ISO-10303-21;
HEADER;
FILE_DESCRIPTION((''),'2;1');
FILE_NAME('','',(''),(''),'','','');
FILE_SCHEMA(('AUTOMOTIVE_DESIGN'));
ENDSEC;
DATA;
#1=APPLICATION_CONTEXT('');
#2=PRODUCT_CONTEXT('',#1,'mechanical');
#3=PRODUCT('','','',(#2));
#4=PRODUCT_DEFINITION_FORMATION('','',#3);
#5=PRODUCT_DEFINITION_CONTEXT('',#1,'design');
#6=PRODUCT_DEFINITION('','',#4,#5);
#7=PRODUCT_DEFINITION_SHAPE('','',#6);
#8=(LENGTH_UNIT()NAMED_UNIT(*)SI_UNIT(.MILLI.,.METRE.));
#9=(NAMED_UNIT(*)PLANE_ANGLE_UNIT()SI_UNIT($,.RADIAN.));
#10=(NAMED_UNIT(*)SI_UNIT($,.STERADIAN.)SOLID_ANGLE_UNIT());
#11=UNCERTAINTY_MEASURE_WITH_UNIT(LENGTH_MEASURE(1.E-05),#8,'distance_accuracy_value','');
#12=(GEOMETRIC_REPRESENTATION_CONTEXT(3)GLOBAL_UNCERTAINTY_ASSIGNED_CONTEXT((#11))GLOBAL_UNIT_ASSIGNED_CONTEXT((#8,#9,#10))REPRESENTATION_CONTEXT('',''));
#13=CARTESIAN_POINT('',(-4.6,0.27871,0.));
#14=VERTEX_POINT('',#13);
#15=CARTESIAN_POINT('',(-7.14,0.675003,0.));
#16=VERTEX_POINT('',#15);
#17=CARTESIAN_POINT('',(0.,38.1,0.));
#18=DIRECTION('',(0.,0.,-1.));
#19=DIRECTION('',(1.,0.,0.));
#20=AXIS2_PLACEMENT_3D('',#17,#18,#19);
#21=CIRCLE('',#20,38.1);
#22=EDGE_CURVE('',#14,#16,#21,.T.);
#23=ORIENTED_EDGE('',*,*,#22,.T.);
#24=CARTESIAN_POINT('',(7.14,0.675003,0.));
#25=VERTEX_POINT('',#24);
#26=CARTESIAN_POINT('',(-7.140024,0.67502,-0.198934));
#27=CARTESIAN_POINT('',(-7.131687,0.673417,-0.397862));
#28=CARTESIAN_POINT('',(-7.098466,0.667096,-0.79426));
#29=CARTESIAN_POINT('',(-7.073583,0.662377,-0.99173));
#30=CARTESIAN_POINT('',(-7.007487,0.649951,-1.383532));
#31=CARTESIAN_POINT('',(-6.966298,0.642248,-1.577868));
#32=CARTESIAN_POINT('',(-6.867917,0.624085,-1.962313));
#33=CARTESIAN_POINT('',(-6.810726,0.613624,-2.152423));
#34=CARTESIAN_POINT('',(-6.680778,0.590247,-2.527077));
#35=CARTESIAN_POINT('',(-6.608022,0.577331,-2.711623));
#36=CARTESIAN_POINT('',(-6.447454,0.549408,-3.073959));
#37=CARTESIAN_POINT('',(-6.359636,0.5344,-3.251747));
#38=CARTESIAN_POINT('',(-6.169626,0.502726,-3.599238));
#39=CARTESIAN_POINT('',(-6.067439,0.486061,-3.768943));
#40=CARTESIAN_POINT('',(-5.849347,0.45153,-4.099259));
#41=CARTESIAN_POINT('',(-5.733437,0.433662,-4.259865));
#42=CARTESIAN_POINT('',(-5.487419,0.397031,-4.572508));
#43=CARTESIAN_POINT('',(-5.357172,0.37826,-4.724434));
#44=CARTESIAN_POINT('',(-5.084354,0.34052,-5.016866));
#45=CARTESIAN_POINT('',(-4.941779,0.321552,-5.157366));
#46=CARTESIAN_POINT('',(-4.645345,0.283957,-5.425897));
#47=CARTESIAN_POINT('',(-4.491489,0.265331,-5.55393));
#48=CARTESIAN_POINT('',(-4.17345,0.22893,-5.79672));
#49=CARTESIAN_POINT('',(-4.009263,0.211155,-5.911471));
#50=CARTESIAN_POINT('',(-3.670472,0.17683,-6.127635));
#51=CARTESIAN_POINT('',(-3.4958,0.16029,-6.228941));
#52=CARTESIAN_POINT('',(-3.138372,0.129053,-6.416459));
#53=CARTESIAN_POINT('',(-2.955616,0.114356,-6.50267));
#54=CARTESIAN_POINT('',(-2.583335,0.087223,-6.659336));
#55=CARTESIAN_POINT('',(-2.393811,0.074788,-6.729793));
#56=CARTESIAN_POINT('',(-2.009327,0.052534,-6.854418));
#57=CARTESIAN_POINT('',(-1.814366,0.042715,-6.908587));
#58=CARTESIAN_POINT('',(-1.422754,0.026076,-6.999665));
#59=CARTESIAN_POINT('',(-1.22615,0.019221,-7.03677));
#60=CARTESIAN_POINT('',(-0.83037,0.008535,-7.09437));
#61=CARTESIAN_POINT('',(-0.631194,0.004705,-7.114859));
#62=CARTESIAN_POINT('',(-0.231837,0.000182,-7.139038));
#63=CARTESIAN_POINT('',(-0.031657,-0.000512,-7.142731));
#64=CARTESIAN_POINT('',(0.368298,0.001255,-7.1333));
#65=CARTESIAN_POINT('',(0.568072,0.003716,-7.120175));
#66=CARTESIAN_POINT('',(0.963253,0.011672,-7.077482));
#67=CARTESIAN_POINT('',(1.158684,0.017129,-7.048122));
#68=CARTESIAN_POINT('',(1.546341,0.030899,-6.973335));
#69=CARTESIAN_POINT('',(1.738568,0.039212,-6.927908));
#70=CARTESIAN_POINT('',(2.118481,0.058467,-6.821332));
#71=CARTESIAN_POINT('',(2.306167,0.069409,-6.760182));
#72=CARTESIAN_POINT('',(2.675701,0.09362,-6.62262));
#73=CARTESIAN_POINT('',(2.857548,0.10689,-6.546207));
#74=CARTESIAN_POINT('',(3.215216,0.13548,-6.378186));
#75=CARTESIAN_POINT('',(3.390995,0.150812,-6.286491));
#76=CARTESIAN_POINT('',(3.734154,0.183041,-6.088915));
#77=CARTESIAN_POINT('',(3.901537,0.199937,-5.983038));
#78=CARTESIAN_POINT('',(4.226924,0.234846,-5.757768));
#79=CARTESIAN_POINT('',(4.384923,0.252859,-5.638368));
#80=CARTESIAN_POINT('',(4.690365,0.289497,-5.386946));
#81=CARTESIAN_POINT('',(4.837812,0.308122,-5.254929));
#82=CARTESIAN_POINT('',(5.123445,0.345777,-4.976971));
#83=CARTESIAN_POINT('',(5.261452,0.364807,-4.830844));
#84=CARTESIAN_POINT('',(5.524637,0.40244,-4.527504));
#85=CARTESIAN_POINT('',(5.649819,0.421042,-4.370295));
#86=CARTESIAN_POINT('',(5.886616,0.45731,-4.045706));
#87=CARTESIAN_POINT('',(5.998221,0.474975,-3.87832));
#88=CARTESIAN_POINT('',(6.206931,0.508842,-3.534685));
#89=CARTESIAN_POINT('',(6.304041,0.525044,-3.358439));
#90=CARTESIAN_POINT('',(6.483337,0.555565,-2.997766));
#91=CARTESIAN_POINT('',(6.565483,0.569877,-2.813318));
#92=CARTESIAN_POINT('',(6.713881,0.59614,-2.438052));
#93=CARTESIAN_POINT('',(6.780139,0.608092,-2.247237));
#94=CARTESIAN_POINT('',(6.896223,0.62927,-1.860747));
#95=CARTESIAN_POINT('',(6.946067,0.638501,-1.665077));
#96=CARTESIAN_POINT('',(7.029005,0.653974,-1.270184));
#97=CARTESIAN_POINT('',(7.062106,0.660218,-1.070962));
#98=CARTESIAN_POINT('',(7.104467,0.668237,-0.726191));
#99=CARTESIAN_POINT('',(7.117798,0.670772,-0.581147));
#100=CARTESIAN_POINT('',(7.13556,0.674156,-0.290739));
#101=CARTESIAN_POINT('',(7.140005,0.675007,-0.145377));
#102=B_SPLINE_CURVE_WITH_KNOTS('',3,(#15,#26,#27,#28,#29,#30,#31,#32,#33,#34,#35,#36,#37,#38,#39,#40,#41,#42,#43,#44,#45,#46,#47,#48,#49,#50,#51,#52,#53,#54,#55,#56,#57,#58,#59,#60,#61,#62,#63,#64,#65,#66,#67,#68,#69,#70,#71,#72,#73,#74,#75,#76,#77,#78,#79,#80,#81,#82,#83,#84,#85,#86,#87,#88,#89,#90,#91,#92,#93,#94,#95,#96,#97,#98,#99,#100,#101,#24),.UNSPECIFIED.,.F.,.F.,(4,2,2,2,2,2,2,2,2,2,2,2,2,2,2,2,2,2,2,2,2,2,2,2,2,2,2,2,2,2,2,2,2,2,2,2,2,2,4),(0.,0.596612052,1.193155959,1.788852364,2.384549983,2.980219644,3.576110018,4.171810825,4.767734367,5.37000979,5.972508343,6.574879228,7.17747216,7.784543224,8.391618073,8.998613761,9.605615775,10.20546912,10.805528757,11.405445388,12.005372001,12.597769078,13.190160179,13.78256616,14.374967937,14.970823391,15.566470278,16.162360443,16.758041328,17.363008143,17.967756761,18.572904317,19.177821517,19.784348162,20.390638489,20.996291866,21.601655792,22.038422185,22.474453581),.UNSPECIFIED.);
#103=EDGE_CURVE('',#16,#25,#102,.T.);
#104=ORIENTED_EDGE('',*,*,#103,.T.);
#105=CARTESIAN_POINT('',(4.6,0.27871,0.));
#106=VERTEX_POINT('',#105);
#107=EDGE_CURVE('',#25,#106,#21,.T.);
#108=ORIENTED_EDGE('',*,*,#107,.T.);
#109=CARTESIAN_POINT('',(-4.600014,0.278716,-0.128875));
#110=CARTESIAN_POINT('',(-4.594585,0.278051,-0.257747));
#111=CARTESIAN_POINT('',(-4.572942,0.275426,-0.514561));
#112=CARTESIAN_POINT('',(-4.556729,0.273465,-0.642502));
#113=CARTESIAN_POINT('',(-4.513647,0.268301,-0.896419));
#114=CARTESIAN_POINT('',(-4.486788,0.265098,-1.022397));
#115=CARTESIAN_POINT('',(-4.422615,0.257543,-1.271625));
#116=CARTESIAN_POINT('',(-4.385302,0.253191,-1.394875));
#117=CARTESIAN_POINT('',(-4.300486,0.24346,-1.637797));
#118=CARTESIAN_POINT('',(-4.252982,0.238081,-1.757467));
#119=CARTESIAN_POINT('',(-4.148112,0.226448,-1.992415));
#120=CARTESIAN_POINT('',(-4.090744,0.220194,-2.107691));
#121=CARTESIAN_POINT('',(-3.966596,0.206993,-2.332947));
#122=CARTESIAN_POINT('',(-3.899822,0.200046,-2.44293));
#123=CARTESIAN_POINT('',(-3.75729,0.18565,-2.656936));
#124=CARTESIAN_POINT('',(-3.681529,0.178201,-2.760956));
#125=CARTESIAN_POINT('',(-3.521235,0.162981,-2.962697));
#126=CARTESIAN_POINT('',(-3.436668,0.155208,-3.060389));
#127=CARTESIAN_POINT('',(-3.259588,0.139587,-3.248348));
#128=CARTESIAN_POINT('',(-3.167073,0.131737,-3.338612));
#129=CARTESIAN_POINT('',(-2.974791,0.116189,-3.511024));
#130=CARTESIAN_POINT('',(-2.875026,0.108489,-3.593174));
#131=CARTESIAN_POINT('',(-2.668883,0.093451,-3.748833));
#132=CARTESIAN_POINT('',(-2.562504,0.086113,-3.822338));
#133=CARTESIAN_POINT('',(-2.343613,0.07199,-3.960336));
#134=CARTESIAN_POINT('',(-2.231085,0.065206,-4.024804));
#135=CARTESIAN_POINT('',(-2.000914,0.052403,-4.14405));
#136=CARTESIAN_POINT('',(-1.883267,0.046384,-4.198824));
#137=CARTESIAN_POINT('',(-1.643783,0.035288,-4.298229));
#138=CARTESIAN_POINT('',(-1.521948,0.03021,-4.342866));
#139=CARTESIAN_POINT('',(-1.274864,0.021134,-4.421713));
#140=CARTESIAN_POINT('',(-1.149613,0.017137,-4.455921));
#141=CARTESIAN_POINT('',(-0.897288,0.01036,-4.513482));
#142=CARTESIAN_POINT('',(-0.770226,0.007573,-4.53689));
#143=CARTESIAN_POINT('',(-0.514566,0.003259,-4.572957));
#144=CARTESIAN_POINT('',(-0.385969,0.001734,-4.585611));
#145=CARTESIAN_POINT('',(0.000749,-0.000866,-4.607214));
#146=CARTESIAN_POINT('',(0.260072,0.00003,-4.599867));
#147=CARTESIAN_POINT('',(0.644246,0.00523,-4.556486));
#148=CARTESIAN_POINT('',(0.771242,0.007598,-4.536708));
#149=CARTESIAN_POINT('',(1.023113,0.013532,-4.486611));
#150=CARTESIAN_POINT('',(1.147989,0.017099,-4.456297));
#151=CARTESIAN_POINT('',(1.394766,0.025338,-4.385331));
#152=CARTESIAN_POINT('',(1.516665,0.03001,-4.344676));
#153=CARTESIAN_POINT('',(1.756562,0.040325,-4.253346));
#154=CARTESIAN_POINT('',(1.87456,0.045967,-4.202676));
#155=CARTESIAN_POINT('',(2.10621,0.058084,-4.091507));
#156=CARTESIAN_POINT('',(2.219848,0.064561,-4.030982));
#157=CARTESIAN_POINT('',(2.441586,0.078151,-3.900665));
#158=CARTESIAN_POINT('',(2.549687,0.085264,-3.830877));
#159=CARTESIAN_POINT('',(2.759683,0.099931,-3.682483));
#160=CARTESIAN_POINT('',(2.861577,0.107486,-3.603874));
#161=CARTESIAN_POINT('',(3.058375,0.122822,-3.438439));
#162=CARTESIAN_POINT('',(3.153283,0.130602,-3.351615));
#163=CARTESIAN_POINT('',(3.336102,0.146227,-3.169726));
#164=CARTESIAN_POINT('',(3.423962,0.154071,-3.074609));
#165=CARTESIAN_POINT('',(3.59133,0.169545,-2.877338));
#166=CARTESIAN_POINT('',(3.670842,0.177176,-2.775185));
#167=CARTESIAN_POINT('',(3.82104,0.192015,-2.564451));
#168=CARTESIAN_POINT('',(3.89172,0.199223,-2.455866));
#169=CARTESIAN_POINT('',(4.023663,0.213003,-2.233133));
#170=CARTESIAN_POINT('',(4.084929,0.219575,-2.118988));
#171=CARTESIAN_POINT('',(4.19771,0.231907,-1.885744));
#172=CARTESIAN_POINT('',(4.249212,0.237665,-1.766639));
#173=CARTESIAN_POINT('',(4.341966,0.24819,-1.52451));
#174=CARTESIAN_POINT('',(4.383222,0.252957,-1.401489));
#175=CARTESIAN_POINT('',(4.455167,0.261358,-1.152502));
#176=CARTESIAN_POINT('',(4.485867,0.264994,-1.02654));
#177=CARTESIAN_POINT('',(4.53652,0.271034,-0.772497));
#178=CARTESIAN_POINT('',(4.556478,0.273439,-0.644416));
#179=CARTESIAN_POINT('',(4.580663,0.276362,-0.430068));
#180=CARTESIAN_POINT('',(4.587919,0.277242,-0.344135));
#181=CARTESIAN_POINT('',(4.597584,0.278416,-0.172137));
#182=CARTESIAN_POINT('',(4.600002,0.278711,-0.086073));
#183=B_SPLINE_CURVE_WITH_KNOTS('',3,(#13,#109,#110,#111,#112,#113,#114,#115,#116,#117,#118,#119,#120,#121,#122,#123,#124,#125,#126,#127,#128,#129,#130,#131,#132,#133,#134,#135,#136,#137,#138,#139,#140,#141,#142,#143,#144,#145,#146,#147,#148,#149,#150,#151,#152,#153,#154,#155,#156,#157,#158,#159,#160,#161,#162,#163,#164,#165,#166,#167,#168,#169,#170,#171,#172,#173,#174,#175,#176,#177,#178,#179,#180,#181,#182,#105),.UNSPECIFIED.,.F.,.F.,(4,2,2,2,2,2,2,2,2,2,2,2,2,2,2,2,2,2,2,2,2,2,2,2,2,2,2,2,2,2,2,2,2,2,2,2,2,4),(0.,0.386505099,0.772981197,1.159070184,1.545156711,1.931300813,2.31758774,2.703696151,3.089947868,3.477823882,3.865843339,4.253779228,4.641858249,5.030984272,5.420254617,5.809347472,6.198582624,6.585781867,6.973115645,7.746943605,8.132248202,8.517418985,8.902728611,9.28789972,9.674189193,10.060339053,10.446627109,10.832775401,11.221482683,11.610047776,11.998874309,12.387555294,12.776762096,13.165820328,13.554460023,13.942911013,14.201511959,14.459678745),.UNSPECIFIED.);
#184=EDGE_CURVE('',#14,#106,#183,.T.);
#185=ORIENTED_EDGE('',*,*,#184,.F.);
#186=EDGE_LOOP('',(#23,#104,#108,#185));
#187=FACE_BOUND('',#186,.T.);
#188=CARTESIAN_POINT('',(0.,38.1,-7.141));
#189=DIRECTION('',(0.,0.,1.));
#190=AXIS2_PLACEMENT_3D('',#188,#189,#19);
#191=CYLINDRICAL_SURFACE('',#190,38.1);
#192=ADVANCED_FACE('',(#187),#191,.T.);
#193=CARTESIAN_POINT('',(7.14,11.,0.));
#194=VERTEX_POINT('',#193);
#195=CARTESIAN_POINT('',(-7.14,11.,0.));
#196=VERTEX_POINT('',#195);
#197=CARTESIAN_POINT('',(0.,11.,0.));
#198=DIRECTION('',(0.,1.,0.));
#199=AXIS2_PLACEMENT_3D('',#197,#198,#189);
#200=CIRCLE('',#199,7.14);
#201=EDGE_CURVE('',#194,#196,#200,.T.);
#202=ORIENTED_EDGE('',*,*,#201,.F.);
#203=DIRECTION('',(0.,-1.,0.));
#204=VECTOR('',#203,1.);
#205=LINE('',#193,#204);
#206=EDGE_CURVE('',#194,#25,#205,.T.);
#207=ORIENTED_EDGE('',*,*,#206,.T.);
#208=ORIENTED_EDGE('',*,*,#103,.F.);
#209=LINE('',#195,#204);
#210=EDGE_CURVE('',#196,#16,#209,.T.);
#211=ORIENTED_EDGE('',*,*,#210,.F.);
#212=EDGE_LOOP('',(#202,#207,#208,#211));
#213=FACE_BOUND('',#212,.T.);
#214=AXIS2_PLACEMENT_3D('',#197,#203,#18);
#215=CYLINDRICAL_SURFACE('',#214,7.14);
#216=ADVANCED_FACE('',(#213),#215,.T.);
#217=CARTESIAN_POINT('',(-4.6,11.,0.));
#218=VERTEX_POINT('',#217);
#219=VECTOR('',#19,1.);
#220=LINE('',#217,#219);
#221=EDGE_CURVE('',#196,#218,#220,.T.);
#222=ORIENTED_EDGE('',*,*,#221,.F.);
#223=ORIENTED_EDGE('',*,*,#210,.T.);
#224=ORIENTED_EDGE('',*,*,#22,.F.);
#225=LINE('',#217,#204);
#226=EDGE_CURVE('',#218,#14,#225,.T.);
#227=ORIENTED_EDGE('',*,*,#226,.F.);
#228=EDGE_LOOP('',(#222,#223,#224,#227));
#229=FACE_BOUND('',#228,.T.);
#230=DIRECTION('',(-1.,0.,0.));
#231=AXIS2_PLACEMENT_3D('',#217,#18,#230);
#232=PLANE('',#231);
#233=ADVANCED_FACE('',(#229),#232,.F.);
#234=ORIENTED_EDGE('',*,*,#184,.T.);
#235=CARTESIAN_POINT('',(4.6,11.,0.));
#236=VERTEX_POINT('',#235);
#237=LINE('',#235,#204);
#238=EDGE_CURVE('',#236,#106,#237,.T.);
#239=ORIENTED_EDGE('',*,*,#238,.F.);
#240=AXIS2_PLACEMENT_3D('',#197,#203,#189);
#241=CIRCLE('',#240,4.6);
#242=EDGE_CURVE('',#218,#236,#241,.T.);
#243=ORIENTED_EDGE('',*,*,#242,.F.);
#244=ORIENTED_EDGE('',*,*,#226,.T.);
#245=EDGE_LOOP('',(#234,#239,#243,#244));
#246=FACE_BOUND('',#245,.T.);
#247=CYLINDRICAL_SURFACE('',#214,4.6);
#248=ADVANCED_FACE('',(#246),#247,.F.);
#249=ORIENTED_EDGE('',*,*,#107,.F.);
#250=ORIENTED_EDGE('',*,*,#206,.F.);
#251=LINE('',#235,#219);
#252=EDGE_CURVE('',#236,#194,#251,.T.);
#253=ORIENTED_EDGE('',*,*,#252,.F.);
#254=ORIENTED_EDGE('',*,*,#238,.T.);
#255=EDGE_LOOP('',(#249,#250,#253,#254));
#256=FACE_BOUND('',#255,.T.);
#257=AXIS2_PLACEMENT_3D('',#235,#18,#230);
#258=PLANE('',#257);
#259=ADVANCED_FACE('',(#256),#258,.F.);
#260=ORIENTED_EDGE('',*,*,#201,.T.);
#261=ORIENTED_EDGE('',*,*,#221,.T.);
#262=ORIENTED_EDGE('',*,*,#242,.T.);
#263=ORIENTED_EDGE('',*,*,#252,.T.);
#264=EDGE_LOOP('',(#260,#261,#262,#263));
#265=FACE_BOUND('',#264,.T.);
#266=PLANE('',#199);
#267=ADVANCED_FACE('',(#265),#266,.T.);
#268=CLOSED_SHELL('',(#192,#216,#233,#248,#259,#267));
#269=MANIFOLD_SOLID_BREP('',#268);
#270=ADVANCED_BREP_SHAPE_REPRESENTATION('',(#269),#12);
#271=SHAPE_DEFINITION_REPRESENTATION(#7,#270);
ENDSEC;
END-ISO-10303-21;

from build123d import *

# Parameters (mm, degrees)
BOSS_EXTRUDE1_DEPTH = 11
CUT_EXTRUDE1_REACH  = 16.932


with BuildPart() as part:
    # Sketch1 → Boss-Extrude1 (new body)
    with BuildSketch(Plane(origin=(0, 0, 0), x_dir=(1, 0, 0), z_dir=(0, 1, 0))):
        with BuildLine():
            Line((4.6, 0), (7.14, 0))
            ThreePointArc((7.14, 0), (0, 7.14), (-7.14, 0))
            Line((-7.14, 0), (-4.6, 0))
            ThreePointArc((-4.6, 0), (0, 4.6), (4.6, 0))
        make_face()
    extrude(amount=BOSS_EXTRUDE1_DEPTH)

    # Sketch4 → Cut-Extrude1 (cut, up to next)
    with BuildSketch(Plane.XY, mode=Mode.PRIVATE) as cut_extrude1_sk1:
        with BuildLine():
            Line((-7.14, 0.675003006), (-7.14, 0))
            Line((-7.14, 0), (-7.14, -1.06362805))
            Line((-7.14, -1.06362805), (7.14, -1.06362805))
            Line((7.14, -1.06362805), (7.14, 0))
            Line((7.14, 0), (7.14, 0.675003006))
            ThreePointArc((7.14, 0.675003006), (0, 0), (-7.14, 0.675003006))
        make_face()
    cut_extrude1_tool1 = extrude(cut_extrude1_sk1.sketch, amount=-CUT_EXTRUDE1_REACH, mode=Mode.PRIVATE) & part.part
    add(cut_extrude1_tool1.solids().sort_by_distance((0, -0.404031, 0))[0], mode=Mode.SUBTRACT)
    add(cut_extrude1_tool1.solids().sort_by_distance((0, -0.404031, 0))[1], mode=Mode.SUBTRACT)


solid = part.part
